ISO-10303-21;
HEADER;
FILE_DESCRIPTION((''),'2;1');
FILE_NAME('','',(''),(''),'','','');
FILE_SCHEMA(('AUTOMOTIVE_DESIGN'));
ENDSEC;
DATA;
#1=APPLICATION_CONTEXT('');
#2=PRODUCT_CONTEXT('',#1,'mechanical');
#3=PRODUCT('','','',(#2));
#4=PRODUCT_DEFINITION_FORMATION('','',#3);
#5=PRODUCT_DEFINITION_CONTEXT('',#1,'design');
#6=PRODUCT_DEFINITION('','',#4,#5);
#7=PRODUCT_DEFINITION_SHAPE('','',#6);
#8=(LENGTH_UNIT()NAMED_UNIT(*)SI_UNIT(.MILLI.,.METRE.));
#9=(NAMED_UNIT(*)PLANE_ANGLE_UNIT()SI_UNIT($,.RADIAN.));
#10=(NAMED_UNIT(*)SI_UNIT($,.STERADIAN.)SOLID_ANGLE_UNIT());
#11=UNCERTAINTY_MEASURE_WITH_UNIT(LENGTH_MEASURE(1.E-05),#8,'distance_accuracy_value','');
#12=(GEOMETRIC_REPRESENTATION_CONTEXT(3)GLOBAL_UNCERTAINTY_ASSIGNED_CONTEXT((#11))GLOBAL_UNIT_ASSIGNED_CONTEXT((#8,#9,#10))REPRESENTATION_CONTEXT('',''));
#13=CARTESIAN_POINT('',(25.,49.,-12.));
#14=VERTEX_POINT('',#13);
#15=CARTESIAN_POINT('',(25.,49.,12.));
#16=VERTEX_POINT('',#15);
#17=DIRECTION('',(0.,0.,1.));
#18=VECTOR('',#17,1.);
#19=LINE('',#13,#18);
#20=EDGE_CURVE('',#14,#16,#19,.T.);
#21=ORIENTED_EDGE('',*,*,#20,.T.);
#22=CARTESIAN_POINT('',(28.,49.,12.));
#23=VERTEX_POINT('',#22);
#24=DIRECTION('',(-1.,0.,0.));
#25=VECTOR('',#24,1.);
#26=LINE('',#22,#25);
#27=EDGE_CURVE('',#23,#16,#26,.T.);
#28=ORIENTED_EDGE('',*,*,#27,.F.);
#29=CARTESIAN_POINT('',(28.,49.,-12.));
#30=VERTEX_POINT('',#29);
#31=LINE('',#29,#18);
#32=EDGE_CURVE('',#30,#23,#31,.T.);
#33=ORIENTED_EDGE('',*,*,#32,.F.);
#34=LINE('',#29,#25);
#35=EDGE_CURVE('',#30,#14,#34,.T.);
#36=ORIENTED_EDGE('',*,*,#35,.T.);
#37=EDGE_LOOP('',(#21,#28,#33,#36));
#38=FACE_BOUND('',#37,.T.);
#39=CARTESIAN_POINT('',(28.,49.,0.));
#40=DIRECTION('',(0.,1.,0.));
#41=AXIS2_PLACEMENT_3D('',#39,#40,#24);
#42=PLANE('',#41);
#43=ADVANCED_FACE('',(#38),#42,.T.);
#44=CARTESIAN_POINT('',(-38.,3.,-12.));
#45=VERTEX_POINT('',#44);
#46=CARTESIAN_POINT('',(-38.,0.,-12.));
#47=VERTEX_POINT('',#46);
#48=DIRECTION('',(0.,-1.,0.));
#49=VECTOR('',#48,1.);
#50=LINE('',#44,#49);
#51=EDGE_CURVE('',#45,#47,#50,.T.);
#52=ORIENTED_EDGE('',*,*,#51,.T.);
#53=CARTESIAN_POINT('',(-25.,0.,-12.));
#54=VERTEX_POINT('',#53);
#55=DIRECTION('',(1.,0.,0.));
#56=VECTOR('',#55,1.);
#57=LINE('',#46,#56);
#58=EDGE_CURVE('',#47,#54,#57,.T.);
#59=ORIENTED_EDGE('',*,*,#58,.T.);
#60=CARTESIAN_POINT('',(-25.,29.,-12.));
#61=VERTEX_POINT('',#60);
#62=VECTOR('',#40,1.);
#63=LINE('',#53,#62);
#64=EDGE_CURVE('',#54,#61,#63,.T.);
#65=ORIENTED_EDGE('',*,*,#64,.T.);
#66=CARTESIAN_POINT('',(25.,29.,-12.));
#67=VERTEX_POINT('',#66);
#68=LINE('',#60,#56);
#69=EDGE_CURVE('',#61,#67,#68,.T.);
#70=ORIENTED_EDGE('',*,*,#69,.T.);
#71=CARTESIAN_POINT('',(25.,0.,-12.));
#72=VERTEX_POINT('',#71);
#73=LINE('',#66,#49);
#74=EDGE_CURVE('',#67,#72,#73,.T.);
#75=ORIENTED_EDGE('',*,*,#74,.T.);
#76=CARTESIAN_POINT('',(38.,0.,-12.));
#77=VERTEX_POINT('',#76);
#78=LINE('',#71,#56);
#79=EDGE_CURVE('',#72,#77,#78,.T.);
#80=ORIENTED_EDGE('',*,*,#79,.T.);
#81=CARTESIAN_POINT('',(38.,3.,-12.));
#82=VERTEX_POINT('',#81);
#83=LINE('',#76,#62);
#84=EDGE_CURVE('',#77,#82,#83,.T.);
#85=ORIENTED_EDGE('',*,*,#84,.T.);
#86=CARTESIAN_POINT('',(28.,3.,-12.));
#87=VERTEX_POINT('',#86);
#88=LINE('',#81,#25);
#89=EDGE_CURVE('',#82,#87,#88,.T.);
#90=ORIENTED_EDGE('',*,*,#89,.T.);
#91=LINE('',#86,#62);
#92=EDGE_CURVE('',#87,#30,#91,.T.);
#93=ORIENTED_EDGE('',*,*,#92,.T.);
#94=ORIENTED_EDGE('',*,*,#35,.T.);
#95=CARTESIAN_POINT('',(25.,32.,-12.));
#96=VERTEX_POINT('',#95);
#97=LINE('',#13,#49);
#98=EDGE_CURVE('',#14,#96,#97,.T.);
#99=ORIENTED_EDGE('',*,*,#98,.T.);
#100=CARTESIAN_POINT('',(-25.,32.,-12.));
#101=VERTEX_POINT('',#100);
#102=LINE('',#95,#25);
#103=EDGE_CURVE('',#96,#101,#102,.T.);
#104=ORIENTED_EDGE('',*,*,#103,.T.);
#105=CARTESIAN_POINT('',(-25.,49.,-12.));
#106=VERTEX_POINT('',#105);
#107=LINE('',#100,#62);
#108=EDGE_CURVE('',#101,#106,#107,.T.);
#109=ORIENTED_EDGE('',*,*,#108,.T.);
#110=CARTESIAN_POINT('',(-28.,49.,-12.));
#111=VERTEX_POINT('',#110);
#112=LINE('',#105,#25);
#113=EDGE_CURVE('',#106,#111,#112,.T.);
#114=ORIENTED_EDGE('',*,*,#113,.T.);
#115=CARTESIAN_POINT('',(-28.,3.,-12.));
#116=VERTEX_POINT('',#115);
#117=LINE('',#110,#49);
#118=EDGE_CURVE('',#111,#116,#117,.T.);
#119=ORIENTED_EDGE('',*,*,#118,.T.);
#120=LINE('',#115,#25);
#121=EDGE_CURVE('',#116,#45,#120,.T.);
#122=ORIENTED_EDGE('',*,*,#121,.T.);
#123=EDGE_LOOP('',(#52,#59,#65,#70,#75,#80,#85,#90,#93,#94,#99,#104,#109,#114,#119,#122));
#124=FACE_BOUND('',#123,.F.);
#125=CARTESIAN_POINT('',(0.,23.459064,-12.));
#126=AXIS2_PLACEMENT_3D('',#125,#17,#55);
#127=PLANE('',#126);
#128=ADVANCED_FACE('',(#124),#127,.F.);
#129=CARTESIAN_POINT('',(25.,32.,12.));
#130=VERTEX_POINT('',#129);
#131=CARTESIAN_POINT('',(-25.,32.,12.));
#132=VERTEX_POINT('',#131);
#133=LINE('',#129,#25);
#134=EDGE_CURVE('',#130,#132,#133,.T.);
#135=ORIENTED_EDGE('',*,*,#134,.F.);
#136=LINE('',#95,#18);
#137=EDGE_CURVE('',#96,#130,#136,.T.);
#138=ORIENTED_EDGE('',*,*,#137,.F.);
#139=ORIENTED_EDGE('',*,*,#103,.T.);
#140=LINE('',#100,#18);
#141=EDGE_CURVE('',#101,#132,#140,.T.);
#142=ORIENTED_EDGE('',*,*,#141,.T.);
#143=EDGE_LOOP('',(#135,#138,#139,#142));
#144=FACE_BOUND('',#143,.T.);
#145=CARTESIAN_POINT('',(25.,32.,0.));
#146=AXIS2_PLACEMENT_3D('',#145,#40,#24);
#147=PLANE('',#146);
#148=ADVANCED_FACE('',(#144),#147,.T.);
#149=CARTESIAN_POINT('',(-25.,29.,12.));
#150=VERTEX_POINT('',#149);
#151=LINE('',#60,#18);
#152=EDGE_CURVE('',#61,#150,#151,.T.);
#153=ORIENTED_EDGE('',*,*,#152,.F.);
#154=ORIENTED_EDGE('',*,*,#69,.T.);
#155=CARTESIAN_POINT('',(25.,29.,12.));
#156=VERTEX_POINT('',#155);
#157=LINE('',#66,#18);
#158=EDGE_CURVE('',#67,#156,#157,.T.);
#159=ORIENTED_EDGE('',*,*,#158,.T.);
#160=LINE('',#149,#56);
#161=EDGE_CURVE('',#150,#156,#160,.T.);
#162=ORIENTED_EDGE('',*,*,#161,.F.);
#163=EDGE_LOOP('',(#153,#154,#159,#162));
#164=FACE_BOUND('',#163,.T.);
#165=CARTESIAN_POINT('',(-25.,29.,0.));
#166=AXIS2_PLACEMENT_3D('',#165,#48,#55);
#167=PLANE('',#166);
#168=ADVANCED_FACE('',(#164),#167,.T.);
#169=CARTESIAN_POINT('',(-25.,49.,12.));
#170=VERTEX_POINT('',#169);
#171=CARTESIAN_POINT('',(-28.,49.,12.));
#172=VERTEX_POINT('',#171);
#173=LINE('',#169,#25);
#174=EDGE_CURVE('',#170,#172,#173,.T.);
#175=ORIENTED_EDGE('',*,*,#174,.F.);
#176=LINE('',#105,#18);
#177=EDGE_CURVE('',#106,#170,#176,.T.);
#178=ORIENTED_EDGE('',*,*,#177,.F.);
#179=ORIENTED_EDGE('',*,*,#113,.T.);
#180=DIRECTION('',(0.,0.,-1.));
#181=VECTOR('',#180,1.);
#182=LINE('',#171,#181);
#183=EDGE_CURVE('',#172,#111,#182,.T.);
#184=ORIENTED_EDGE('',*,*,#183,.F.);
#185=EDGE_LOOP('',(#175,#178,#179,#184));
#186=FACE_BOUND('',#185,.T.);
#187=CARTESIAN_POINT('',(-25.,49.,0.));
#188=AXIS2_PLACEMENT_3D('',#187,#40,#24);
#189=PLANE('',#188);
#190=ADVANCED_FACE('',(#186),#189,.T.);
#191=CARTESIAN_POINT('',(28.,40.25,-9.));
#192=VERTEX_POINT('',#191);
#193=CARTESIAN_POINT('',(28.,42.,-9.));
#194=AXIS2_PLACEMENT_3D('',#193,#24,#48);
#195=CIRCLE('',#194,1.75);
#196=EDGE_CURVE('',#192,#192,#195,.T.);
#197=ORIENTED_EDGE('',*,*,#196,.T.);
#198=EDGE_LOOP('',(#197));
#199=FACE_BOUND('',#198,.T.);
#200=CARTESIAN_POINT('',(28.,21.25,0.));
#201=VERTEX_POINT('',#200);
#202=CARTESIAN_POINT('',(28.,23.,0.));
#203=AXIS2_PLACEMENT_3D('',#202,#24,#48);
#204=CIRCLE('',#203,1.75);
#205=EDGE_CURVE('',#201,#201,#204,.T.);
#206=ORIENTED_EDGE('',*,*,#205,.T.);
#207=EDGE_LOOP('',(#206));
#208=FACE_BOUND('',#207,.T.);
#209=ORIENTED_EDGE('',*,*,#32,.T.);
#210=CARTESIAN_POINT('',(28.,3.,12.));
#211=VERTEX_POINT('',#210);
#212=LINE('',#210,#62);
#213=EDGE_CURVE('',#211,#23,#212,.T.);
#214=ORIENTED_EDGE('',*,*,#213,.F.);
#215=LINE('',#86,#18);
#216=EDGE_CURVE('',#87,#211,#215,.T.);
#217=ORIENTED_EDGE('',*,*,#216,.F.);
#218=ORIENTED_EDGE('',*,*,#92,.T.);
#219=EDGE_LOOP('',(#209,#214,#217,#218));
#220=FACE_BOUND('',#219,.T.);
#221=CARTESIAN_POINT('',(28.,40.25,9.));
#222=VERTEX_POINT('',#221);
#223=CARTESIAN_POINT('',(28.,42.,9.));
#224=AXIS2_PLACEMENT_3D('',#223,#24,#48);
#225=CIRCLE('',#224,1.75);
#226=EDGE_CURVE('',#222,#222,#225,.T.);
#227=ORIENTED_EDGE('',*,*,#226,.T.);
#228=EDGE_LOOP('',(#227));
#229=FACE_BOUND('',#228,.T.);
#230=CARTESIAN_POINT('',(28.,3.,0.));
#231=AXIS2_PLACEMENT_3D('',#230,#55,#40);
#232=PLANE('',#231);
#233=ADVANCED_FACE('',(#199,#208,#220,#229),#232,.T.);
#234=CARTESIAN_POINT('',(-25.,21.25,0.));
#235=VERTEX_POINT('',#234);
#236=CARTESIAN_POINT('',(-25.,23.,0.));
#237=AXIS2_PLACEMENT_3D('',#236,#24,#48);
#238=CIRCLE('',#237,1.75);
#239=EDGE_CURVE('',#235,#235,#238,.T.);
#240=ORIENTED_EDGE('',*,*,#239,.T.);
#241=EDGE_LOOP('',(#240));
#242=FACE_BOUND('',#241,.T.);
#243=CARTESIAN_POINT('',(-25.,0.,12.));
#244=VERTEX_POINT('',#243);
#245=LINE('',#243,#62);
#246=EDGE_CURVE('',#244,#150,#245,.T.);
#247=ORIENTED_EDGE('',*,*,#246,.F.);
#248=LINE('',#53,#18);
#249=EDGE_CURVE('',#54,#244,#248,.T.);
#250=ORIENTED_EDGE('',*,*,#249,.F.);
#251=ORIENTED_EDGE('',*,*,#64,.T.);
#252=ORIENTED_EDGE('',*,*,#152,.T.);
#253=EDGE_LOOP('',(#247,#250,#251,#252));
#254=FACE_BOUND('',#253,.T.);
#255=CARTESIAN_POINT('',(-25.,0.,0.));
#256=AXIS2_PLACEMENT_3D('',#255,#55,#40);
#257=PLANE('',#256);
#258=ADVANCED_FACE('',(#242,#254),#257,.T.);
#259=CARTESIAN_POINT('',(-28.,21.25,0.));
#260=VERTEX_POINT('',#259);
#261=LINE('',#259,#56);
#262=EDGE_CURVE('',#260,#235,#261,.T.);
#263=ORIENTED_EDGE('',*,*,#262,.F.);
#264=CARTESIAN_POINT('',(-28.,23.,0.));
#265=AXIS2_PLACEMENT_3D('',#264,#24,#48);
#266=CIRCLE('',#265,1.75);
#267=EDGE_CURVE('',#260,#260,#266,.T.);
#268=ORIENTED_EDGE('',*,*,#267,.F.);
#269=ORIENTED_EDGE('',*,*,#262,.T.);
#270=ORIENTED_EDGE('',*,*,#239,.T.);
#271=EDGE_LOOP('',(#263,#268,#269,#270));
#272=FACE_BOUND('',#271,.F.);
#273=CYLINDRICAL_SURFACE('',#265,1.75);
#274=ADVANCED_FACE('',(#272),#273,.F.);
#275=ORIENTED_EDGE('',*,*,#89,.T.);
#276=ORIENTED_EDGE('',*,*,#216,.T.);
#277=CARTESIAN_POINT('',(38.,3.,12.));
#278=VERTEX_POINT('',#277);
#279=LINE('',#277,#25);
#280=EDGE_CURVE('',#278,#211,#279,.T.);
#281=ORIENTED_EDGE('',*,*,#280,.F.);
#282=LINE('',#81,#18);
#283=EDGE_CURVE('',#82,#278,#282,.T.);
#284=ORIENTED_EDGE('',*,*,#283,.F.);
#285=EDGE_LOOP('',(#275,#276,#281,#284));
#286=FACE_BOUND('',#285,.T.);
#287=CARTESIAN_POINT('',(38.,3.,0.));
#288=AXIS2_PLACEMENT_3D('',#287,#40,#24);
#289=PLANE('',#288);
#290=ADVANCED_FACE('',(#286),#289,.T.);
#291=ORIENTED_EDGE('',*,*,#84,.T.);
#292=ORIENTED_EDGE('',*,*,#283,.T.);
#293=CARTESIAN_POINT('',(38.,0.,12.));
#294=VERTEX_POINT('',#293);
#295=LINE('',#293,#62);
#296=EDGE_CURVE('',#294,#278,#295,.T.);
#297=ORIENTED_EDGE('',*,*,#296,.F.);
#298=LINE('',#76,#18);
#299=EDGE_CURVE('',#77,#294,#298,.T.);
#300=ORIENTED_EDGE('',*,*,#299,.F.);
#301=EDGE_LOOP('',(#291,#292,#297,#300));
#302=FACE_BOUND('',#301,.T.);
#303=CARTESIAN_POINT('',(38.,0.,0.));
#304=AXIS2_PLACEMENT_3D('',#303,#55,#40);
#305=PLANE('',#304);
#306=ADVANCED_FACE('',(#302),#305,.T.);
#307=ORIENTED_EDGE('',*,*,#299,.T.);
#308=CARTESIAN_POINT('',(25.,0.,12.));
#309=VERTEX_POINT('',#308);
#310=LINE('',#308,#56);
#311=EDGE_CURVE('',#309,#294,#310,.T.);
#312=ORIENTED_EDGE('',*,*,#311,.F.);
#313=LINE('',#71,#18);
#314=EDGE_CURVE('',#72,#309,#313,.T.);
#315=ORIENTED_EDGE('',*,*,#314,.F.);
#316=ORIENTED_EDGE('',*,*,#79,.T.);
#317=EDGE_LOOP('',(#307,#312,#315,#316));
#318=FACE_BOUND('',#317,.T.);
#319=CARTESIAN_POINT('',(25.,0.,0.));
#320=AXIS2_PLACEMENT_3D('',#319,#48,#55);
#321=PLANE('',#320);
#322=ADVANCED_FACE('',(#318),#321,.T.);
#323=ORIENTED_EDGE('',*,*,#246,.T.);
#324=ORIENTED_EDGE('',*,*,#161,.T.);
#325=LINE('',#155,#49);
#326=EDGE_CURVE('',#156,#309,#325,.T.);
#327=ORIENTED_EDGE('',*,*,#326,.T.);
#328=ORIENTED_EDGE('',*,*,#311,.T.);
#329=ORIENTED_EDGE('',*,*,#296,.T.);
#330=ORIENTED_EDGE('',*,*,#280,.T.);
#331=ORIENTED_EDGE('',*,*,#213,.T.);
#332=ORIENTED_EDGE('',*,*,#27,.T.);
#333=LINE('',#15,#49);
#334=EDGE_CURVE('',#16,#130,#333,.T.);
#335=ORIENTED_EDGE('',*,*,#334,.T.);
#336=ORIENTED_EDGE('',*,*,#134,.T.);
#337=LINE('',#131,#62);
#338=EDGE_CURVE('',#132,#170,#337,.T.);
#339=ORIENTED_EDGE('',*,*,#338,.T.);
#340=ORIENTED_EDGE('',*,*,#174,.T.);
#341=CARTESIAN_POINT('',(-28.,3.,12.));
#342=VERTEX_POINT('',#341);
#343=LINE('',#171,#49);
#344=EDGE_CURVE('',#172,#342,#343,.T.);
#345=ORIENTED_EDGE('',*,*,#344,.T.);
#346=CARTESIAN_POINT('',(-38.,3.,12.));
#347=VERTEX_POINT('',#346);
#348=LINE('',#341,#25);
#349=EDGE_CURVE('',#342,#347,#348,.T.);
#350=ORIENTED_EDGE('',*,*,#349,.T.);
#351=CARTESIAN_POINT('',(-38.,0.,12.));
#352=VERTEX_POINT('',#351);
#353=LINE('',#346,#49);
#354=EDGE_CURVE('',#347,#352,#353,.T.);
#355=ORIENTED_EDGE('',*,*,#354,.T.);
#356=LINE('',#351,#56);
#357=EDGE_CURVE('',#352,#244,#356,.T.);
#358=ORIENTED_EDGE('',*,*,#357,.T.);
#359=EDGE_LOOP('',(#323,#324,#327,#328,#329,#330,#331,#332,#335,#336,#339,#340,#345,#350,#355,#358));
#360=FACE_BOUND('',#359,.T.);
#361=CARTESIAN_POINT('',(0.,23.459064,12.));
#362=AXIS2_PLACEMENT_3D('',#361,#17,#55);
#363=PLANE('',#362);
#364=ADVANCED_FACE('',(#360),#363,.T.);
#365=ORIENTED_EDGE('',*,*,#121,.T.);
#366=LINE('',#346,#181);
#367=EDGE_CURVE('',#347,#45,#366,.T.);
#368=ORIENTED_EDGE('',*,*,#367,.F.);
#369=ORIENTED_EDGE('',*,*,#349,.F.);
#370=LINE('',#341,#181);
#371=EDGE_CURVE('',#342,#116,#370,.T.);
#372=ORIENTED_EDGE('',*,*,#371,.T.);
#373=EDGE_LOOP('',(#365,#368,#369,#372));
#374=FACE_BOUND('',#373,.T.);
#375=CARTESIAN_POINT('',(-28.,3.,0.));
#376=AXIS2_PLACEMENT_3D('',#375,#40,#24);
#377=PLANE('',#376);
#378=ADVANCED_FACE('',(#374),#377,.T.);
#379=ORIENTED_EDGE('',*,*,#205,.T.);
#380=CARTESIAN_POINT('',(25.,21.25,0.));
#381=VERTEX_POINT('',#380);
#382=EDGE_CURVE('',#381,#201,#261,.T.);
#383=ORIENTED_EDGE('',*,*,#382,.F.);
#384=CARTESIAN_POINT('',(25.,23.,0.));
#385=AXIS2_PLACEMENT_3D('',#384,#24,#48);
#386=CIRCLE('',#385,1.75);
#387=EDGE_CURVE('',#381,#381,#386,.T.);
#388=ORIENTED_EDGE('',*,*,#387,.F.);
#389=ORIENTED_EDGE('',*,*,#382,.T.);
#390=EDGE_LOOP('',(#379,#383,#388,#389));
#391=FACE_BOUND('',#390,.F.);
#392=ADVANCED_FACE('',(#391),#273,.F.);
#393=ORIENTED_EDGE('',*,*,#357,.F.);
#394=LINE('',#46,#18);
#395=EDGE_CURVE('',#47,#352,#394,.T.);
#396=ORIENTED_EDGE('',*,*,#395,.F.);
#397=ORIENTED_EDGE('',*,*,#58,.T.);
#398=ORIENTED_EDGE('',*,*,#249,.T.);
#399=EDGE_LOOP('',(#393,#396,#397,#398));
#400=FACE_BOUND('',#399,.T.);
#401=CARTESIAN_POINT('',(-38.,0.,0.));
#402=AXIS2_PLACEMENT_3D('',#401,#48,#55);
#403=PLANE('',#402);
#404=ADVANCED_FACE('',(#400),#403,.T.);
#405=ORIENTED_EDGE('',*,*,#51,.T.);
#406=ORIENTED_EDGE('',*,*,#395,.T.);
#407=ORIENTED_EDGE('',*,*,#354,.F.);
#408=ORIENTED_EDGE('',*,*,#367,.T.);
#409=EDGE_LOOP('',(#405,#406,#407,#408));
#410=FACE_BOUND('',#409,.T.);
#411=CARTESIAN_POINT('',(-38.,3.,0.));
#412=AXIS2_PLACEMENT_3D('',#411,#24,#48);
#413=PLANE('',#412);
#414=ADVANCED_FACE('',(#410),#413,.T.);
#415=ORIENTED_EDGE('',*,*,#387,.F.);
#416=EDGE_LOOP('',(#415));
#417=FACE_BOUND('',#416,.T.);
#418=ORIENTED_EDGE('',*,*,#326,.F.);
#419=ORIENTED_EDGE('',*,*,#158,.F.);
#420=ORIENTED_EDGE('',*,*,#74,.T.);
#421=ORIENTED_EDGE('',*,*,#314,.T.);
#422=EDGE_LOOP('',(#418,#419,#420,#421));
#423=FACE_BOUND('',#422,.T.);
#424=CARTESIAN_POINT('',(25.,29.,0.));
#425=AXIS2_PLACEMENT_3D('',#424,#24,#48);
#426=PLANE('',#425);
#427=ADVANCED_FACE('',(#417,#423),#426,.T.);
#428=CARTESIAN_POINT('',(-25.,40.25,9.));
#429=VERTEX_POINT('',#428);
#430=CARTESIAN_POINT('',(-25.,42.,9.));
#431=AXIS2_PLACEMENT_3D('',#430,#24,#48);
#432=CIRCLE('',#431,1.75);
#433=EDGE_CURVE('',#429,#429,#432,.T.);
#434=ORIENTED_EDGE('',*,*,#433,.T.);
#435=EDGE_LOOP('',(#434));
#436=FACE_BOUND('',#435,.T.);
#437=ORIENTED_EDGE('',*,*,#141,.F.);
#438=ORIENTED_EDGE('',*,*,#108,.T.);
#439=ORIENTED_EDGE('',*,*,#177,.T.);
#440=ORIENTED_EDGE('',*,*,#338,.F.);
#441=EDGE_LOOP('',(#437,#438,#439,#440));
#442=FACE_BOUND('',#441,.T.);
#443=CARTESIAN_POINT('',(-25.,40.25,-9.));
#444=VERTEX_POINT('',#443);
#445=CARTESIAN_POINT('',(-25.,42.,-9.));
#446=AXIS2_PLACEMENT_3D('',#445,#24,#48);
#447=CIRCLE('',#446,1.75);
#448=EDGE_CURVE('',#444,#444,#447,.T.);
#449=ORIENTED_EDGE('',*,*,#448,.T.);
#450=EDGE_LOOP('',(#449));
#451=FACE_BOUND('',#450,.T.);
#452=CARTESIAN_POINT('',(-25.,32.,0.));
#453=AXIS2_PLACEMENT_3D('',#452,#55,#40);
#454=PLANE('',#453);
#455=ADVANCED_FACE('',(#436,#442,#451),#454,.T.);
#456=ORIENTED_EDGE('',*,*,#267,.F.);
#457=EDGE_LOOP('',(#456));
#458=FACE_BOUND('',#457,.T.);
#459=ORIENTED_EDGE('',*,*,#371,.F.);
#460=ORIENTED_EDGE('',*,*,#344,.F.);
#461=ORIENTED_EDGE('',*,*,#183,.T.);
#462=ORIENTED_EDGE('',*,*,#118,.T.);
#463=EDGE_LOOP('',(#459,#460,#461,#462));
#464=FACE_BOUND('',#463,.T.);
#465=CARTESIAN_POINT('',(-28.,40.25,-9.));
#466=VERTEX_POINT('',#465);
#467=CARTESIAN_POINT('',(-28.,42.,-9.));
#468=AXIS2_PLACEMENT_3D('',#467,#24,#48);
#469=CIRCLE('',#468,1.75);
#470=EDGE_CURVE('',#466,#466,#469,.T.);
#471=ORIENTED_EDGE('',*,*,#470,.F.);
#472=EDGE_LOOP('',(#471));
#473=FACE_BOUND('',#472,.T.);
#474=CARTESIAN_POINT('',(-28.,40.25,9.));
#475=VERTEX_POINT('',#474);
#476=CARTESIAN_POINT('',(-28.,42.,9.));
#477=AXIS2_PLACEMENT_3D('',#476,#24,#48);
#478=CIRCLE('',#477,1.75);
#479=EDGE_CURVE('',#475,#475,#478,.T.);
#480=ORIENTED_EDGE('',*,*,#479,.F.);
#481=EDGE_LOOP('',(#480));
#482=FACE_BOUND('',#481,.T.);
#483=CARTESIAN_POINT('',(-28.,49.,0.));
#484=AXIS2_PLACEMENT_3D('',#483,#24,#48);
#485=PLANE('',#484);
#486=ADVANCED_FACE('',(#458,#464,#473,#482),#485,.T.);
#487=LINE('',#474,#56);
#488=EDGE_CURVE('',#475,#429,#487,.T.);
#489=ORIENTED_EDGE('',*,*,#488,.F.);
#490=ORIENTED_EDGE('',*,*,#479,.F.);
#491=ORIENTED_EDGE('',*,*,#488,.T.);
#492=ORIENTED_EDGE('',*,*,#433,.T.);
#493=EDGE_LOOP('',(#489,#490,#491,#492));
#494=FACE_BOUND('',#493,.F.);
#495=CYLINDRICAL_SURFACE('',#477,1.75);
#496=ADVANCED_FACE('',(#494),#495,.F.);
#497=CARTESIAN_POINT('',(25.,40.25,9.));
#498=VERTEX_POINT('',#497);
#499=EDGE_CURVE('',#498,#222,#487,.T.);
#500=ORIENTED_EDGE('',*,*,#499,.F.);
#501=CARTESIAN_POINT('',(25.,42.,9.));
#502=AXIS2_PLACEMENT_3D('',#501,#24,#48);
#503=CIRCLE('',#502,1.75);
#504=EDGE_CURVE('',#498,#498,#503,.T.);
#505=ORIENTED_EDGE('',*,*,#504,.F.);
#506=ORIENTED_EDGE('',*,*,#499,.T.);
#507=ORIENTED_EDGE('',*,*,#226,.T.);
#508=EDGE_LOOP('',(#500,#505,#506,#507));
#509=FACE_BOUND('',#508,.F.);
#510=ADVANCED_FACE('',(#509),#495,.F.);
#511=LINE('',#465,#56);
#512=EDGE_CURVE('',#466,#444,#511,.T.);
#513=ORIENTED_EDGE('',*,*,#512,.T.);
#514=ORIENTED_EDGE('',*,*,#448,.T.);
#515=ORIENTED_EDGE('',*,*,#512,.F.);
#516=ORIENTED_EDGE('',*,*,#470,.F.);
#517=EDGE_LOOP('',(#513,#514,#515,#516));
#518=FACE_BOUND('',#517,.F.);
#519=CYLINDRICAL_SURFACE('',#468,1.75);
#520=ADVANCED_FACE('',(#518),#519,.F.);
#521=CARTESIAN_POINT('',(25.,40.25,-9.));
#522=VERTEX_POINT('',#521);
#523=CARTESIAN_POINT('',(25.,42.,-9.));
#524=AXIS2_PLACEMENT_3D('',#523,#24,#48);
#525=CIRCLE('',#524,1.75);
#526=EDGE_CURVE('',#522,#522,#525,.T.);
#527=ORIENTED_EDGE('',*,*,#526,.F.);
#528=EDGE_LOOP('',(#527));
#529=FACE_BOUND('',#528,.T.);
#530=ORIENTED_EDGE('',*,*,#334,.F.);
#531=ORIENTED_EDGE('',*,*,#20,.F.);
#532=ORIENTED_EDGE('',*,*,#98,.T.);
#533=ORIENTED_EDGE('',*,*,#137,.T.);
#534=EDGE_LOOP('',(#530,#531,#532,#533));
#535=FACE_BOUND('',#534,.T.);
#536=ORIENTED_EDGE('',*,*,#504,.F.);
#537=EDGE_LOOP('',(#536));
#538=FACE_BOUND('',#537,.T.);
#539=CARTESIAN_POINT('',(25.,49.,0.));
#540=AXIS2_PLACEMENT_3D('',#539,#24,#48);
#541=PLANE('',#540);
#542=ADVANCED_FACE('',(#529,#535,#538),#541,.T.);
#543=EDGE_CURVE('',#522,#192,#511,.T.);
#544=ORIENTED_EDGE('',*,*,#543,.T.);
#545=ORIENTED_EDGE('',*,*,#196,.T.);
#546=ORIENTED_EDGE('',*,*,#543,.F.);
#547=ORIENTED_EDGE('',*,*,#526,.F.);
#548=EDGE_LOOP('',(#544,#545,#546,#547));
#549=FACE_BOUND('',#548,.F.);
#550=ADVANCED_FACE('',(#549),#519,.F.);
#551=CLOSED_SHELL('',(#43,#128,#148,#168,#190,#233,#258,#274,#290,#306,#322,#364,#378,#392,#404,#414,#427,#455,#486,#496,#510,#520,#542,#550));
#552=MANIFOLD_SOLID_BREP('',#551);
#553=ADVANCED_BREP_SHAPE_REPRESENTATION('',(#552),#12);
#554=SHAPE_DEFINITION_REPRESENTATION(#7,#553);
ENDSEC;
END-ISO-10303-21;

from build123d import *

# Parameters (mm, degrees)
F1_DEPTH = 12
F2_R     = 1.75
F3_DEPTH = 66.001


with BuildPart() as f1:
    # F0 (on Top) → F1 (new body, symmetric)
    with BuildSketch(Plane.XY):
        Polygon((-38, 3), (-38, 0), (-25, 0), (-25, 29), (25, 29), (25, 0), (38, 0), (38, 3), (28, 3), (28, 49), (25, 49), (25, 32), (-25, 32), (-25, 49), (-28, 49), (-28, 3), align=None)
    extrude(amount=F1_DEPTH, both=True)

    # F2 (on face) → F3 (cut, through all)
    with BuildSketch(Plane(origin=(-28, 0, 0), x_dir=(0, -1, 0), z_dir=(-1, 0, 0))):
        with Locations((-42, 9)):
            Circle(F2_R)
        with Locations((-42, -9)):
            Circle(F2_R)
        with Locations((-23, 0)):
            Circle(F2_R)
    extrude(amount=-F3_DEPTH, mode=Mode.SUBTRACT)


solid = f1.part
